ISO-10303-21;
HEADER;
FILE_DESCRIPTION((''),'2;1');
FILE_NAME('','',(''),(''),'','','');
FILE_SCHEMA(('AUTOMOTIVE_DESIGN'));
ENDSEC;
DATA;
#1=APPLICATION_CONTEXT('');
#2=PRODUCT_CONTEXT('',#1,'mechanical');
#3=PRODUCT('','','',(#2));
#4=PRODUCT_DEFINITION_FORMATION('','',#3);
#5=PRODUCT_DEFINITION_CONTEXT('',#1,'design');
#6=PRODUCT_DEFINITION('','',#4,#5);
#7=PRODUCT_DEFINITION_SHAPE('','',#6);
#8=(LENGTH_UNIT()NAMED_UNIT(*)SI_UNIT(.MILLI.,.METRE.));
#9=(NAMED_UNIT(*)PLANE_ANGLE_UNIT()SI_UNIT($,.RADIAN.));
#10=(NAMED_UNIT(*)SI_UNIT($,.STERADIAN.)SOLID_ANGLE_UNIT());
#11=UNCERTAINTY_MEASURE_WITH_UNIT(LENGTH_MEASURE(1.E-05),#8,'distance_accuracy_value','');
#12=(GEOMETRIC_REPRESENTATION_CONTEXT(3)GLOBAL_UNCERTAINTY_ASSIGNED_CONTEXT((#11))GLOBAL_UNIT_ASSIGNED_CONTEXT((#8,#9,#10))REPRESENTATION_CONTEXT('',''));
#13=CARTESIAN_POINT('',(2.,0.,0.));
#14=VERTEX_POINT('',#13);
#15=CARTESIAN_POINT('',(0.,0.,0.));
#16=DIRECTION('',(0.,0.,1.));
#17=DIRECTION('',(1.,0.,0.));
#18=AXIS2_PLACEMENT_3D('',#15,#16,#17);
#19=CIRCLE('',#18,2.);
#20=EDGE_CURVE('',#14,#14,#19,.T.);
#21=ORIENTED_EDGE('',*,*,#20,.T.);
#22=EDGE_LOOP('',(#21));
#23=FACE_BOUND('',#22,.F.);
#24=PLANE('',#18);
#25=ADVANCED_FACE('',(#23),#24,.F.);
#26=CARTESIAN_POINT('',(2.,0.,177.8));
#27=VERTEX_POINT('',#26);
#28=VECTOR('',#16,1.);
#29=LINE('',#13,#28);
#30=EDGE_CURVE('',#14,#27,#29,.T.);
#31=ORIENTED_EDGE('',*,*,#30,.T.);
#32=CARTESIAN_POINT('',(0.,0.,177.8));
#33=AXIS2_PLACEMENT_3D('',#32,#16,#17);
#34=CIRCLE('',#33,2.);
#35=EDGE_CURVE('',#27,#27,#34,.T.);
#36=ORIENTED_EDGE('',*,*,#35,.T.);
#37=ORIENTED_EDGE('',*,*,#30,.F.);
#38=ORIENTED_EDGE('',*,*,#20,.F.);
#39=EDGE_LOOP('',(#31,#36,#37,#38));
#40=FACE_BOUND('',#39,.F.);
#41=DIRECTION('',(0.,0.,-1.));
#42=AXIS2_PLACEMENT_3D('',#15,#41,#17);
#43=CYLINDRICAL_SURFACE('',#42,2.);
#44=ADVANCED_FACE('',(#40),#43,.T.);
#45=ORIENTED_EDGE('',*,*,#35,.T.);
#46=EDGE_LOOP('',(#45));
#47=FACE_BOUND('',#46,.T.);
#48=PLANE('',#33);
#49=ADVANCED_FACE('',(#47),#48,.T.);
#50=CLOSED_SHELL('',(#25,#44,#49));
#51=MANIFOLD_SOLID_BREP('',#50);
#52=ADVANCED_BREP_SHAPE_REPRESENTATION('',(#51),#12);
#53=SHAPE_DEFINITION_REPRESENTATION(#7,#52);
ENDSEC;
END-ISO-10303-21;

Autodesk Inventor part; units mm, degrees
ref_plane "YZ Plane" through (0, 0, 0) normal (1, 0, 0) x (0, 1, 0)
ref_plane "XZ Plane" through (0, 0, 0) normal (0, 1, 0) x (-1, 0, 0)
ref_plane "XY Plane" through (0, 0, 0) normal (0, 0, 1) x (1, 0, 0)
sketch "Sketch1" plane through (0, 0, 0) normal (0, 0, 1) x (1, 0, 0)
  circle A0 centre (0, 0) radius 2
  dimension "d0" = 4
extrude "Extrusion1" add sketch "Sketch1" along normal blind 177.8
properties part number "4mm threadstock 7in length" material "Steel, Alloy"
